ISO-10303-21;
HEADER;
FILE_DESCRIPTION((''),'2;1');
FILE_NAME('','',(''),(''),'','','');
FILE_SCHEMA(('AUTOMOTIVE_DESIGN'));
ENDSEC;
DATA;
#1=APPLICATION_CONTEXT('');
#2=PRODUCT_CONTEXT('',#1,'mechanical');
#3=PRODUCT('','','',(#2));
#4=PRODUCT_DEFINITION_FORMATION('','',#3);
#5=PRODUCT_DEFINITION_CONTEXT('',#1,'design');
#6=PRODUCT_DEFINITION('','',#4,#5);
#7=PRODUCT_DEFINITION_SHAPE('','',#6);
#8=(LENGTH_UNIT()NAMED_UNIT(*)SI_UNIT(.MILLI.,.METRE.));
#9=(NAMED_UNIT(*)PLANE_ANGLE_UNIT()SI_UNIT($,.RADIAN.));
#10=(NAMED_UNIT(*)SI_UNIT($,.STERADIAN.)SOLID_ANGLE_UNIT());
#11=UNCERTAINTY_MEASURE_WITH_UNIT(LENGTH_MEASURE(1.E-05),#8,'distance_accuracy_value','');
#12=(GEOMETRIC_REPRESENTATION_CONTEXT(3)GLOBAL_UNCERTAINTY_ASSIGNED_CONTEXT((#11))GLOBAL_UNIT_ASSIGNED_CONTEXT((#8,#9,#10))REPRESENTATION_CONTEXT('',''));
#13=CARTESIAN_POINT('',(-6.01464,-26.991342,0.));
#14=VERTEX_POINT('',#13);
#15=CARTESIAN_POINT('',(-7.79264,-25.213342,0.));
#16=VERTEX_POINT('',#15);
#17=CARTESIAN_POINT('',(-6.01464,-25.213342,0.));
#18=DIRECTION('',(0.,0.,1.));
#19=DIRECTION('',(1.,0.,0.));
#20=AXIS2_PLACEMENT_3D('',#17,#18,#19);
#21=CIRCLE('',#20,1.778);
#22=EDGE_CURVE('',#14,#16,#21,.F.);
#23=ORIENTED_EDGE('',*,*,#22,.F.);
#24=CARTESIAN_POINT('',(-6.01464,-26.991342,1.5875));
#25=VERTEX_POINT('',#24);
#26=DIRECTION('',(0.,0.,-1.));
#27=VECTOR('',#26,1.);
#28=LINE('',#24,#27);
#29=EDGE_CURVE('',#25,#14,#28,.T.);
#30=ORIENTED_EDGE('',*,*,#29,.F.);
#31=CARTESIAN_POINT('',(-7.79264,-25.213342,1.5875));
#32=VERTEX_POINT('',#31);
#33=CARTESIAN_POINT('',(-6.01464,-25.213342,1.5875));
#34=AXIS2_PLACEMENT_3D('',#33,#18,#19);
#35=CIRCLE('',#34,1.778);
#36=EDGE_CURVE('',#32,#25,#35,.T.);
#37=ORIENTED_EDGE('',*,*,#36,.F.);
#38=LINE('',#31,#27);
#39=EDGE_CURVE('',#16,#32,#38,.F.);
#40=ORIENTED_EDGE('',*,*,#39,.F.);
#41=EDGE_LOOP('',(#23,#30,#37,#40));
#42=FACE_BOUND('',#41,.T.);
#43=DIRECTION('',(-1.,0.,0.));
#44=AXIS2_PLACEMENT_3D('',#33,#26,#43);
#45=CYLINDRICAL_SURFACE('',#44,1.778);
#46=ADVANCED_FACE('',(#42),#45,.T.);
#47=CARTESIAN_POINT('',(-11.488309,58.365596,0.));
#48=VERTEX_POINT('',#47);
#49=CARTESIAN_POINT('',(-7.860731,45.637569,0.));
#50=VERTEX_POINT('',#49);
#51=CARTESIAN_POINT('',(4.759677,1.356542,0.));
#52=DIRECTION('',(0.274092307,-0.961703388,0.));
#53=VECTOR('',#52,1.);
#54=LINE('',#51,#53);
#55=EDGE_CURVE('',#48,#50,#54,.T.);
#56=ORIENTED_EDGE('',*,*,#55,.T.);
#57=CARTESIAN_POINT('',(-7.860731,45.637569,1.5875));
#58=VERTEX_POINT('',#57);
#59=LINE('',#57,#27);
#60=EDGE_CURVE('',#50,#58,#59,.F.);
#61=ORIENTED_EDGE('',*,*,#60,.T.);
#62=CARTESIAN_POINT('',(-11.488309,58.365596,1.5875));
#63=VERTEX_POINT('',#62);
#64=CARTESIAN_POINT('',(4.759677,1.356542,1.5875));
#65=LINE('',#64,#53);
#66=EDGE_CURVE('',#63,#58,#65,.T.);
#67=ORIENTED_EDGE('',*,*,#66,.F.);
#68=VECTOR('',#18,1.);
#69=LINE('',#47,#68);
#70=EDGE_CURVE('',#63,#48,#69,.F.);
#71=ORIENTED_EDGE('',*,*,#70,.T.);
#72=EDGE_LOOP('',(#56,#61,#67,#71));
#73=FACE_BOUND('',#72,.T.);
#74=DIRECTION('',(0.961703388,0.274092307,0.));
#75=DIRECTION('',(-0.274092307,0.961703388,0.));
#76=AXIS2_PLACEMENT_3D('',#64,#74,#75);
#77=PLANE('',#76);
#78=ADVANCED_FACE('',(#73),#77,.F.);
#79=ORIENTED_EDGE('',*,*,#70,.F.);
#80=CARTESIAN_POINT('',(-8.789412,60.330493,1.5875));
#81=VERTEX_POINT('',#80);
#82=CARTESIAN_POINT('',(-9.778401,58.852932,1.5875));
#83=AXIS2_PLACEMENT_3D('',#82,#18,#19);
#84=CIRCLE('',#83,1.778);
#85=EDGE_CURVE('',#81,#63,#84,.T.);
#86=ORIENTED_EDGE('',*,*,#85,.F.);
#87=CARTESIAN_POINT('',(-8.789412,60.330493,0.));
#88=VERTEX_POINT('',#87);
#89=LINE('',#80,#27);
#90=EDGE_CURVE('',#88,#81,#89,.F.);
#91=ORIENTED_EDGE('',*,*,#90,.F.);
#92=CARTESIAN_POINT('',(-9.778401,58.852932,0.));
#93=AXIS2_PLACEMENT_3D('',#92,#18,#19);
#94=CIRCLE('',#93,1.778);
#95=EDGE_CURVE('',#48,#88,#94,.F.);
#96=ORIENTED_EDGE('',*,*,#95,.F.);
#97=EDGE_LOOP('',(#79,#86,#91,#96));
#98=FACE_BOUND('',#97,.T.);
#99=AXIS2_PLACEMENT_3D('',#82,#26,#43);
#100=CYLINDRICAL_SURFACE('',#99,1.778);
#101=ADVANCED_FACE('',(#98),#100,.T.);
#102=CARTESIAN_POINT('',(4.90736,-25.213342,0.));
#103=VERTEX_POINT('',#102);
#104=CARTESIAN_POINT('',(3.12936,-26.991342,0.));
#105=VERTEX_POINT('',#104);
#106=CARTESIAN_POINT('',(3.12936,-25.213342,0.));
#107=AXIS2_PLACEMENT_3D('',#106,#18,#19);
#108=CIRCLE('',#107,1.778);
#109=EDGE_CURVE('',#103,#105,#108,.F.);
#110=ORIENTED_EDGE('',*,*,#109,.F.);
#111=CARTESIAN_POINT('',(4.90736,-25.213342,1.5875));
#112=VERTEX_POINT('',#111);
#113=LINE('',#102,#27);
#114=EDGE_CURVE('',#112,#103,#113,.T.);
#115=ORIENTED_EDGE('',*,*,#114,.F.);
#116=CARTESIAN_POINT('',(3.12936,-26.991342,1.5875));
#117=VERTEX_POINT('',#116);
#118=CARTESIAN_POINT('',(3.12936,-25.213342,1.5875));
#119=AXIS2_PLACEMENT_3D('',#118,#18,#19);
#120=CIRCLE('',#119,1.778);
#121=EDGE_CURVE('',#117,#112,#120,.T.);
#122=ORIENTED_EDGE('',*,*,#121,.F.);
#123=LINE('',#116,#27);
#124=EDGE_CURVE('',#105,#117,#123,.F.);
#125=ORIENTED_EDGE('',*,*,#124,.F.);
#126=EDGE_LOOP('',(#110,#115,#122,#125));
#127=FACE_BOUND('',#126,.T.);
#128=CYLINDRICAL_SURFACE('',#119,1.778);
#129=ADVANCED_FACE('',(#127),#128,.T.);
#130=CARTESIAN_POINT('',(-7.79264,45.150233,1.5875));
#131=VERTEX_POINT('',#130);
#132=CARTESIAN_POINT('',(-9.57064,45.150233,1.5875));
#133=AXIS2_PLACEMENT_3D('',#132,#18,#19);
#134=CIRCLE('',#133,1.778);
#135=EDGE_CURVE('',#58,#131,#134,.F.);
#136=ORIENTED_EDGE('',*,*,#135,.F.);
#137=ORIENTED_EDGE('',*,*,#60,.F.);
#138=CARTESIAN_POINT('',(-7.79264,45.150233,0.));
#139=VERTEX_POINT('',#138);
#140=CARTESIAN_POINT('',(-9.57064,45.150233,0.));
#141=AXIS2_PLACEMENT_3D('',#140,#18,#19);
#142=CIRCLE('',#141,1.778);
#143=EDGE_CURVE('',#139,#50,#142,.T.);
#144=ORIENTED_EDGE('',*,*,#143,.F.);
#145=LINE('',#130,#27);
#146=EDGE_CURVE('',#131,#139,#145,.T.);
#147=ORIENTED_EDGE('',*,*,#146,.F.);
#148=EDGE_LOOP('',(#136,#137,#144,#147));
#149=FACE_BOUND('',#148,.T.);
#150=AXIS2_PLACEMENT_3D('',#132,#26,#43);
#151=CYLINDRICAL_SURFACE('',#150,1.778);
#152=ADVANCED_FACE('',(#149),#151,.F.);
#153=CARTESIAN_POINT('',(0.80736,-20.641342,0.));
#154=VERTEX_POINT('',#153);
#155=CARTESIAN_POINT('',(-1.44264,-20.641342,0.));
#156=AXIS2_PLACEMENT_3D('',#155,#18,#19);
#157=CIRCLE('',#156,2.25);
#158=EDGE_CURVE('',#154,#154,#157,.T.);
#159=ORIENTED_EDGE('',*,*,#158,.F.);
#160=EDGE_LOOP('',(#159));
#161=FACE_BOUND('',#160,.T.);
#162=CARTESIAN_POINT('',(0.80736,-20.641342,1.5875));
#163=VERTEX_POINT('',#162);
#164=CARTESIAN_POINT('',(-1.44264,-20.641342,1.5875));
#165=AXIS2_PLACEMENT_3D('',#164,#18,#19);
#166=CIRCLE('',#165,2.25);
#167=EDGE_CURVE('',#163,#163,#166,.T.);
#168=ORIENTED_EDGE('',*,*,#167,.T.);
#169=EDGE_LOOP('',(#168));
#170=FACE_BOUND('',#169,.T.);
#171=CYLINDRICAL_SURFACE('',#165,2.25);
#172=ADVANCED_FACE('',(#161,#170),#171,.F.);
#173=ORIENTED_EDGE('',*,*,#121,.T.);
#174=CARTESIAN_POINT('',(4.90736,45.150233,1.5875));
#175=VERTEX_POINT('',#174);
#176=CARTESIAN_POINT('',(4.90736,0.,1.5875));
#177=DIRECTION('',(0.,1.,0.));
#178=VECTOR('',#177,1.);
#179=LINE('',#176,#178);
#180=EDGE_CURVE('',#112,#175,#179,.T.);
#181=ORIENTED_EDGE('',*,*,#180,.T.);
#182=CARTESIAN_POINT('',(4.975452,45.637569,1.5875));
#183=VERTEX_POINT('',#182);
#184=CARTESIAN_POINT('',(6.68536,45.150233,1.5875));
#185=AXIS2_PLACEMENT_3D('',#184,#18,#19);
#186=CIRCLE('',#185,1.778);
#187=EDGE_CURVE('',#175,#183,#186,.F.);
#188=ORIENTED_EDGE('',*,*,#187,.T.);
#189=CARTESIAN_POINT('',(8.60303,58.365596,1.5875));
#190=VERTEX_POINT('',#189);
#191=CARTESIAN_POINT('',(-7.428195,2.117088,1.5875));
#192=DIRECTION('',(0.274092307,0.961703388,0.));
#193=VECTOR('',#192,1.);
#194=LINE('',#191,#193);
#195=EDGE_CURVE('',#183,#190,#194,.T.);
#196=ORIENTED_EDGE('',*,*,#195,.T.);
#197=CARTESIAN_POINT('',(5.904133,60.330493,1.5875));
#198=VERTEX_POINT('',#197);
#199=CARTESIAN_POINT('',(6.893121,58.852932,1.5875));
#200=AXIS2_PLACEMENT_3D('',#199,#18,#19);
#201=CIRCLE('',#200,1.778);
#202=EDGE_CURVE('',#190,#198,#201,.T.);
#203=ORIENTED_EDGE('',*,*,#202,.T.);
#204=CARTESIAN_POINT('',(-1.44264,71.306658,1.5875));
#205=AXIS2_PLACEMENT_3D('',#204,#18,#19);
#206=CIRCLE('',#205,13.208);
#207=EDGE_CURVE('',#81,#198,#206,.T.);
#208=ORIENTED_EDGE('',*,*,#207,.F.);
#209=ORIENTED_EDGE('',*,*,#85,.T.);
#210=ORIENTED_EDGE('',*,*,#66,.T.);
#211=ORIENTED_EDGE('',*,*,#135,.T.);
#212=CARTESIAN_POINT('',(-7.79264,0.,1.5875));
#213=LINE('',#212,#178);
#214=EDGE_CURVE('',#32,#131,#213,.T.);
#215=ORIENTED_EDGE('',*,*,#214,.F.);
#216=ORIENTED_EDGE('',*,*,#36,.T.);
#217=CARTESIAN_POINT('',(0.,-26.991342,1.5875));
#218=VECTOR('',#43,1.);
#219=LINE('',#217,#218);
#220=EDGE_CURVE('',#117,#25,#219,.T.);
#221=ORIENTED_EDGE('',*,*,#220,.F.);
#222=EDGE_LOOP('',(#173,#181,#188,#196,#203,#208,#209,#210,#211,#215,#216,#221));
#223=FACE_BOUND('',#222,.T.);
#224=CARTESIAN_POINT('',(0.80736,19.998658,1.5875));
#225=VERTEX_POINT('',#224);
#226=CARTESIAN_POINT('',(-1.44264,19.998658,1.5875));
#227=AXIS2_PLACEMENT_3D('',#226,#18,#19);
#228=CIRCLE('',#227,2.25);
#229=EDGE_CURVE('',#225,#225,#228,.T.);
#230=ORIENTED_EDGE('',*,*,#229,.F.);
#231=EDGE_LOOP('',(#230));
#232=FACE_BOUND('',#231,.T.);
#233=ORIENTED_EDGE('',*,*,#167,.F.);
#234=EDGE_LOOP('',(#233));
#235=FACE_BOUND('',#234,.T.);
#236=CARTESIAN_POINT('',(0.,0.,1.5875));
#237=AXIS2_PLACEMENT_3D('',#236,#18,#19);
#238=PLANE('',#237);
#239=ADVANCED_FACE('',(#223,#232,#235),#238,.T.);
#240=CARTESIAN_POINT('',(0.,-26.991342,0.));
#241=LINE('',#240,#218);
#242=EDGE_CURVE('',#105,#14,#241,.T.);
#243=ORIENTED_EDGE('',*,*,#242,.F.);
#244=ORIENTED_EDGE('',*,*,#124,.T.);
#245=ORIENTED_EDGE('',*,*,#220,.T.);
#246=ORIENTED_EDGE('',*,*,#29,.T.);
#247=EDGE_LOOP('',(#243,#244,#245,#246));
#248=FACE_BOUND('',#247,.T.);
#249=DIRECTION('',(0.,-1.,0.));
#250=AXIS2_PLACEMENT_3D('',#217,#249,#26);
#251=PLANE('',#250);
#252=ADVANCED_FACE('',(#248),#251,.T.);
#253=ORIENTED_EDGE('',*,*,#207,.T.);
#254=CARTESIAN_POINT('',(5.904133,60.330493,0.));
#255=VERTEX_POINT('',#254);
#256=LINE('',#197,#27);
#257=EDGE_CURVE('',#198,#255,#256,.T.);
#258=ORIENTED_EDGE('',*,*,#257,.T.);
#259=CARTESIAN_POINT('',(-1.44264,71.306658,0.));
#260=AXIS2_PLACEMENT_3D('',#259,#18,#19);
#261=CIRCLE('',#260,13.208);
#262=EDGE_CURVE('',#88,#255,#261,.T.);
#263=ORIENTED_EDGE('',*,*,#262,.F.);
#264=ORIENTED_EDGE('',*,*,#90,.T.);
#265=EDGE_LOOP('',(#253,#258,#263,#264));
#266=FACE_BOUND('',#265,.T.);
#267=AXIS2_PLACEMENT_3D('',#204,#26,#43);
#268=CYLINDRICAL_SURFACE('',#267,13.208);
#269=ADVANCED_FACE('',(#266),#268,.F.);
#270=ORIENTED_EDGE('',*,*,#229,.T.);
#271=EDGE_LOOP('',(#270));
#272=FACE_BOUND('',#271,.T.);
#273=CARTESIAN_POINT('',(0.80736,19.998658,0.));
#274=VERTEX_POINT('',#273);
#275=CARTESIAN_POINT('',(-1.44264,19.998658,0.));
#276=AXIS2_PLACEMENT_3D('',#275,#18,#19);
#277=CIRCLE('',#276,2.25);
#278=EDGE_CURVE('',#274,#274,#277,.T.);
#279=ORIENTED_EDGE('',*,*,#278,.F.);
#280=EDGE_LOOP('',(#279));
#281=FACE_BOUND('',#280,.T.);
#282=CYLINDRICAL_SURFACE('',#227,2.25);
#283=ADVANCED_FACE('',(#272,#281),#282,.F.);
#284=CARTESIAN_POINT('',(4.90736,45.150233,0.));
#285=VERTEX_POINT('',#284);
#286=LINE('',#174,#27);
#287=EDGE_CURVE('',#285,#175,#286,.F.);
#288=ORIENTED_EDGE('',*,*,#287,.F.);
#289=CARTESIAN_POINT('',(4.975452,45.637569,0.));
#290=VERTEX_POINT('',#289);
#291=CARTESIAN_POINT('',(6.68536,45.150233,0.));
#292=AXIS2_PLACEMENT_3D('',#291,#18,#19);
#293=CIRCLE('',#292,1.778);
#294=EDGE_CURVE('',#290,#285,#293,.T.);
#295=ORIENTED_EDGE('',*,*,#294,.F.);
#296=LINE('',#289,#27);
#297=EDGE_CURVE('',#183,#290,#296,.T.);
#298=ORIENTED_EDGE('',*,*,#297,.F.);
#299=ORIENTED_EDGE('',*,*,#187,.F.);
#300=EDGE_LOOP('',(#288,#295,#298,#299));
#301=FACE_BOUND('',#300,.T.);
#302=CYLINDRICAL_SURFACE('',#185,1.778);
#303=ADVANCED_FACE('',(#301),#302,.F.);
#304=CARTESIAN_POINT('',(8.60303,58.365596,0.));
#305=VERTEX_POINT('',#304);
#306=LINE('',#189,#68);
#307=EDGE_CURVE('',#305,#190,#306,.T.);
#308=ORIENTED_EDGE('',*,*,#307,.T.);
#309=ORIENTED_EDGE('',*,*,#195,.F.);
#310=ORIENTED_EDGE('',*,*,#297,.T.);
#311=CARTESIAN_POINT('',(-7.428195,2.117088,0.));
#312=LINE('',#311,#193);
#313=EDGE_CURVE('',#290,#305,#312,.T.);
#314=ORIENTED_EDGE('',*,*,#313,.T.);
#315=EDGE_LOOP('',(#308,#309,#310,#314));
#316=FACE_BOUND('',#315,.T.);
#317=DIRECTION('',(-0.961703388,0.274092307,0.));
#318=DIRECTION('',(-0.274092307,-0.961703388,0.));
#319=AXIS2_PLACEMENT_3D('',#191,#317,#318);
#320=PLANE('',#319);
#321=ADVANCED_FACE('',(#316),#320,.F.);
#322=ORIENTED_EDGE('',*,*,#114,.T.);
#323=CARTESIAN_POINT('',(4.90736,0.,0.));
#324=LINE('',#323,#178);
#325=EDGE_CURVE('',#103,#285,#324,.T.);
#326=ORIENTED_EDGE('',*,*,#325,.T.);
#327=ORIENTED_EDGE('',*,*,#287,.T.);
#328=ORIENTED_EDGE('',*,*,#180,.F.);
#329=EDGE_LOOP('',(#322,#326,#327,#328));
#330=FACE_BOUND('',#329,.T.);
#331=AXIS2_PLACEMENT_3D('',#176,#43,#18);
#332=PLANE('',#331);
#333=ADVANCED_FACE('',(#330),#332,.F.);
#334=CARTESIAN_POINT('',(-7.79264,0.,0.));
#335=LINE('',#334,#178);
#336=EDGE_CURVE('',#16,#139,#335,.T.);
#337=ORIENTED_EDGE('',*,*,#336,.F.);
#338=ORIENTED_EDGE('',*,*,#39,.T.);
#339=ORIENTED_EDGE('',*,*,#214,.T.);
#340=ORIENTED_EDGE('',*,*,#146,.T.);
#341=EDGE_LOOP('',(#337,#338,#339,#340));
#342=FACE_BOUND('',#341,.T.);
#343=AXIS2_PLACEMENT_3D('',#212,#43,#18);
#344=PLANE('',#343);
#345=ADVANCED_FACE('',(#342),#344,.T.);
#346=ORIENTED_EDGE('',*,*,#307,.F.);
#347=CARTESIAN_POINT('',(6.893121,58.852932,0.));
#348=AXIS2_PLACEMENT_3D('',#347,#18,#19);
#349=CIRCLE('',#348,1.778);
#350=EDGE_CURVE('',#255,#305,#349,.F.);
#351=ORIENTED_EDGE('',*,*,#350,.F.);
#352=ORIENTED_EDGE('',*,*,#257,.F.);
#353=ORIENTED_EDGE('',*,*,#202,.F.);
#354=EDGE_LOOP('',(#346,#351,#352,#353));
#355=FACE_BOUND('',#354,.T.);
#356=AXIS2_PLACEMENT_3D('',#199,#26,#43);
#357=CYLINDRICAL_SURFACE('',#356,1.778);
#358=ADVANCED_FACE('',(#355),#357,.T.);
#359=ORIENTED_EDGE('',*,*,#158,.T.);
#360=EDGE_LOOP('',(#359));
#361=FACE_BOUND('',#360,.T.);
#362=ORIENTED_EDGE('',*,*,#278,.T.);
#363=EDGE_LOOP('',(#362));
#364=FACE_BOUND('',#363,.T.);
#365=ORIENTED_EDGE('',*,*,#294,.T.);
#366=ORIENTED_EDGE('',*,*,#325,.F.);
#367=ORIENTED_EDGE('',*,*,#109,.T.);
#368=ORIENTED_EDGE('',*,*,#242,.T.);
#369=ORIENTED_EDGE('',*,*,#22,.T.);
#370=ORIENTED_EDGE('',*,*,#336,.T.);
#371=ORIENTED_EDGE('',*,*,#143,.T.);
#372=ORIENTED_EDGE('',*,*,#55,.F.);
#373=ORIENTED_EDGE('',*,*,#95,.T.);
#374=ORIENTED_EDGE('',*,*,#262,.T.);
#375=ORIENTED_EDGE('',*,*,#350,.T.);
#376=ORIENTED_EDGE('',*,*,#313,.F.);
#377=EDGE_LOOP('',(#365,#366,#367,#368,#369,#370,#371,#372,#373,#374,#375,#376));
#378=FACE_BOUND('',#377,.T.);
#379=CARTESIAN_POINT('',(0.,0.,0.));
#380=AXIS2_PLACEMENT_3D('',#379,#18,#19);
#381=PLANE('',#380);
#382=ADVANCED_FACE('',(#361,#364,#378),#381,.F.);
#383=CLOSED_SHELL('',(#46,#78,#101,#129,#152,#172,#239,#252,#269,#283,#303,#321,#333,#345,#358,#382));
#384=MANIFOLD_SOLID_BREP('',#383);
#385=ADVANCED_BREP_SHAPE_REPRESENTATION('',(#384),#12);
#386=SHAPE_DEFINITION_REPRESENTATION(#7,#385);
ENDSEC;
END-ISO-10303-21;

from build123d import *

# Parameters (mm, degrees)
SKETCH1_R            = 2.625
BOSS_EXTRUDE1_DEPTH  = 1.5875
FILLET1_R            = 1.778
M4_CLEARANCE_HOLE1_D = 4.5


with BuildPart() as part:
    # Sketch1 → Boss-Extrude1 (new body)
    # profile 1 of 3: a face of its own
    with BuildSketch(Plane.XY):
        with BuildLine():
            ThreePointArc((-14.144818028, 67.686446389), (-1.442639673, 58.098657577), (11.259538681, 67.686446389))
            Line((11.259538681, 67.686446389), (4.907360327, 45.398657577))
            Line((4.907360327, 45.398657577), (4.907360327, -26.991342423))
            Line((4.907360327, -26.991342423), (-7.792639673, -26.991342423))
            Line((-7.792639673, -26.991342423), (-7.792639673, 45.398657577))
            Line((-7.792639673, 45.398657577), (-14.144818028, 67.686446389))
        make_face()
        with Locations((-1.442639673, -20.641342423)):
            Circle(SKETCH1_R, mode=Mode.SUBTRACT)
        with Locations((-1.442639673, 19.998657577)):
            Circle(SKETCH1_R, mode=Mode.SUBTRACT)
    # profile 2 of 3: a face of its own
    with BuildSketch(Plane.XY):
        with Locations((-1.442639673, 19.998657577)):
            Circle(SKETCH1_R)
    # profile 3 of 3: a face of its own
    with BuildSketch(Plane.XY):
        with Locations((-1.442639673, -20.641342423)):
            Circle(SKETCH1_R)
    extrude(amount=BOSS_EXTRUDE1_DEPTH)

    # Fillet1
    fillet1_edges = [part.edges().sort_by_distance(p)[0] for p in [
        (11.259538681, 67.686446389, 0.79375),
        (4.907360327, 45.398657577, 0.79375),
        (4.907360327, -26.991342423, 0.79375),
        (-7.792639673, -26.991342423, 0.79375),
        (-7.792639673, 45.398657577, 0.79375),
        (-14.144818028, 67.686446389, 0.79375),
    ]]
    fillet(fillet1_edges, radius=FILLET1_R)

    # M4 Clearance Hole1 (through all)
    with Locations(Plane.XY.offset(1.5875)):
        with Locations((-1.442639673, -20.641342423), (-1.442639673, 19.998657577)):
            Hole(M4_CLEARANCE_HOLE1_D / 2)


solid = part.part
